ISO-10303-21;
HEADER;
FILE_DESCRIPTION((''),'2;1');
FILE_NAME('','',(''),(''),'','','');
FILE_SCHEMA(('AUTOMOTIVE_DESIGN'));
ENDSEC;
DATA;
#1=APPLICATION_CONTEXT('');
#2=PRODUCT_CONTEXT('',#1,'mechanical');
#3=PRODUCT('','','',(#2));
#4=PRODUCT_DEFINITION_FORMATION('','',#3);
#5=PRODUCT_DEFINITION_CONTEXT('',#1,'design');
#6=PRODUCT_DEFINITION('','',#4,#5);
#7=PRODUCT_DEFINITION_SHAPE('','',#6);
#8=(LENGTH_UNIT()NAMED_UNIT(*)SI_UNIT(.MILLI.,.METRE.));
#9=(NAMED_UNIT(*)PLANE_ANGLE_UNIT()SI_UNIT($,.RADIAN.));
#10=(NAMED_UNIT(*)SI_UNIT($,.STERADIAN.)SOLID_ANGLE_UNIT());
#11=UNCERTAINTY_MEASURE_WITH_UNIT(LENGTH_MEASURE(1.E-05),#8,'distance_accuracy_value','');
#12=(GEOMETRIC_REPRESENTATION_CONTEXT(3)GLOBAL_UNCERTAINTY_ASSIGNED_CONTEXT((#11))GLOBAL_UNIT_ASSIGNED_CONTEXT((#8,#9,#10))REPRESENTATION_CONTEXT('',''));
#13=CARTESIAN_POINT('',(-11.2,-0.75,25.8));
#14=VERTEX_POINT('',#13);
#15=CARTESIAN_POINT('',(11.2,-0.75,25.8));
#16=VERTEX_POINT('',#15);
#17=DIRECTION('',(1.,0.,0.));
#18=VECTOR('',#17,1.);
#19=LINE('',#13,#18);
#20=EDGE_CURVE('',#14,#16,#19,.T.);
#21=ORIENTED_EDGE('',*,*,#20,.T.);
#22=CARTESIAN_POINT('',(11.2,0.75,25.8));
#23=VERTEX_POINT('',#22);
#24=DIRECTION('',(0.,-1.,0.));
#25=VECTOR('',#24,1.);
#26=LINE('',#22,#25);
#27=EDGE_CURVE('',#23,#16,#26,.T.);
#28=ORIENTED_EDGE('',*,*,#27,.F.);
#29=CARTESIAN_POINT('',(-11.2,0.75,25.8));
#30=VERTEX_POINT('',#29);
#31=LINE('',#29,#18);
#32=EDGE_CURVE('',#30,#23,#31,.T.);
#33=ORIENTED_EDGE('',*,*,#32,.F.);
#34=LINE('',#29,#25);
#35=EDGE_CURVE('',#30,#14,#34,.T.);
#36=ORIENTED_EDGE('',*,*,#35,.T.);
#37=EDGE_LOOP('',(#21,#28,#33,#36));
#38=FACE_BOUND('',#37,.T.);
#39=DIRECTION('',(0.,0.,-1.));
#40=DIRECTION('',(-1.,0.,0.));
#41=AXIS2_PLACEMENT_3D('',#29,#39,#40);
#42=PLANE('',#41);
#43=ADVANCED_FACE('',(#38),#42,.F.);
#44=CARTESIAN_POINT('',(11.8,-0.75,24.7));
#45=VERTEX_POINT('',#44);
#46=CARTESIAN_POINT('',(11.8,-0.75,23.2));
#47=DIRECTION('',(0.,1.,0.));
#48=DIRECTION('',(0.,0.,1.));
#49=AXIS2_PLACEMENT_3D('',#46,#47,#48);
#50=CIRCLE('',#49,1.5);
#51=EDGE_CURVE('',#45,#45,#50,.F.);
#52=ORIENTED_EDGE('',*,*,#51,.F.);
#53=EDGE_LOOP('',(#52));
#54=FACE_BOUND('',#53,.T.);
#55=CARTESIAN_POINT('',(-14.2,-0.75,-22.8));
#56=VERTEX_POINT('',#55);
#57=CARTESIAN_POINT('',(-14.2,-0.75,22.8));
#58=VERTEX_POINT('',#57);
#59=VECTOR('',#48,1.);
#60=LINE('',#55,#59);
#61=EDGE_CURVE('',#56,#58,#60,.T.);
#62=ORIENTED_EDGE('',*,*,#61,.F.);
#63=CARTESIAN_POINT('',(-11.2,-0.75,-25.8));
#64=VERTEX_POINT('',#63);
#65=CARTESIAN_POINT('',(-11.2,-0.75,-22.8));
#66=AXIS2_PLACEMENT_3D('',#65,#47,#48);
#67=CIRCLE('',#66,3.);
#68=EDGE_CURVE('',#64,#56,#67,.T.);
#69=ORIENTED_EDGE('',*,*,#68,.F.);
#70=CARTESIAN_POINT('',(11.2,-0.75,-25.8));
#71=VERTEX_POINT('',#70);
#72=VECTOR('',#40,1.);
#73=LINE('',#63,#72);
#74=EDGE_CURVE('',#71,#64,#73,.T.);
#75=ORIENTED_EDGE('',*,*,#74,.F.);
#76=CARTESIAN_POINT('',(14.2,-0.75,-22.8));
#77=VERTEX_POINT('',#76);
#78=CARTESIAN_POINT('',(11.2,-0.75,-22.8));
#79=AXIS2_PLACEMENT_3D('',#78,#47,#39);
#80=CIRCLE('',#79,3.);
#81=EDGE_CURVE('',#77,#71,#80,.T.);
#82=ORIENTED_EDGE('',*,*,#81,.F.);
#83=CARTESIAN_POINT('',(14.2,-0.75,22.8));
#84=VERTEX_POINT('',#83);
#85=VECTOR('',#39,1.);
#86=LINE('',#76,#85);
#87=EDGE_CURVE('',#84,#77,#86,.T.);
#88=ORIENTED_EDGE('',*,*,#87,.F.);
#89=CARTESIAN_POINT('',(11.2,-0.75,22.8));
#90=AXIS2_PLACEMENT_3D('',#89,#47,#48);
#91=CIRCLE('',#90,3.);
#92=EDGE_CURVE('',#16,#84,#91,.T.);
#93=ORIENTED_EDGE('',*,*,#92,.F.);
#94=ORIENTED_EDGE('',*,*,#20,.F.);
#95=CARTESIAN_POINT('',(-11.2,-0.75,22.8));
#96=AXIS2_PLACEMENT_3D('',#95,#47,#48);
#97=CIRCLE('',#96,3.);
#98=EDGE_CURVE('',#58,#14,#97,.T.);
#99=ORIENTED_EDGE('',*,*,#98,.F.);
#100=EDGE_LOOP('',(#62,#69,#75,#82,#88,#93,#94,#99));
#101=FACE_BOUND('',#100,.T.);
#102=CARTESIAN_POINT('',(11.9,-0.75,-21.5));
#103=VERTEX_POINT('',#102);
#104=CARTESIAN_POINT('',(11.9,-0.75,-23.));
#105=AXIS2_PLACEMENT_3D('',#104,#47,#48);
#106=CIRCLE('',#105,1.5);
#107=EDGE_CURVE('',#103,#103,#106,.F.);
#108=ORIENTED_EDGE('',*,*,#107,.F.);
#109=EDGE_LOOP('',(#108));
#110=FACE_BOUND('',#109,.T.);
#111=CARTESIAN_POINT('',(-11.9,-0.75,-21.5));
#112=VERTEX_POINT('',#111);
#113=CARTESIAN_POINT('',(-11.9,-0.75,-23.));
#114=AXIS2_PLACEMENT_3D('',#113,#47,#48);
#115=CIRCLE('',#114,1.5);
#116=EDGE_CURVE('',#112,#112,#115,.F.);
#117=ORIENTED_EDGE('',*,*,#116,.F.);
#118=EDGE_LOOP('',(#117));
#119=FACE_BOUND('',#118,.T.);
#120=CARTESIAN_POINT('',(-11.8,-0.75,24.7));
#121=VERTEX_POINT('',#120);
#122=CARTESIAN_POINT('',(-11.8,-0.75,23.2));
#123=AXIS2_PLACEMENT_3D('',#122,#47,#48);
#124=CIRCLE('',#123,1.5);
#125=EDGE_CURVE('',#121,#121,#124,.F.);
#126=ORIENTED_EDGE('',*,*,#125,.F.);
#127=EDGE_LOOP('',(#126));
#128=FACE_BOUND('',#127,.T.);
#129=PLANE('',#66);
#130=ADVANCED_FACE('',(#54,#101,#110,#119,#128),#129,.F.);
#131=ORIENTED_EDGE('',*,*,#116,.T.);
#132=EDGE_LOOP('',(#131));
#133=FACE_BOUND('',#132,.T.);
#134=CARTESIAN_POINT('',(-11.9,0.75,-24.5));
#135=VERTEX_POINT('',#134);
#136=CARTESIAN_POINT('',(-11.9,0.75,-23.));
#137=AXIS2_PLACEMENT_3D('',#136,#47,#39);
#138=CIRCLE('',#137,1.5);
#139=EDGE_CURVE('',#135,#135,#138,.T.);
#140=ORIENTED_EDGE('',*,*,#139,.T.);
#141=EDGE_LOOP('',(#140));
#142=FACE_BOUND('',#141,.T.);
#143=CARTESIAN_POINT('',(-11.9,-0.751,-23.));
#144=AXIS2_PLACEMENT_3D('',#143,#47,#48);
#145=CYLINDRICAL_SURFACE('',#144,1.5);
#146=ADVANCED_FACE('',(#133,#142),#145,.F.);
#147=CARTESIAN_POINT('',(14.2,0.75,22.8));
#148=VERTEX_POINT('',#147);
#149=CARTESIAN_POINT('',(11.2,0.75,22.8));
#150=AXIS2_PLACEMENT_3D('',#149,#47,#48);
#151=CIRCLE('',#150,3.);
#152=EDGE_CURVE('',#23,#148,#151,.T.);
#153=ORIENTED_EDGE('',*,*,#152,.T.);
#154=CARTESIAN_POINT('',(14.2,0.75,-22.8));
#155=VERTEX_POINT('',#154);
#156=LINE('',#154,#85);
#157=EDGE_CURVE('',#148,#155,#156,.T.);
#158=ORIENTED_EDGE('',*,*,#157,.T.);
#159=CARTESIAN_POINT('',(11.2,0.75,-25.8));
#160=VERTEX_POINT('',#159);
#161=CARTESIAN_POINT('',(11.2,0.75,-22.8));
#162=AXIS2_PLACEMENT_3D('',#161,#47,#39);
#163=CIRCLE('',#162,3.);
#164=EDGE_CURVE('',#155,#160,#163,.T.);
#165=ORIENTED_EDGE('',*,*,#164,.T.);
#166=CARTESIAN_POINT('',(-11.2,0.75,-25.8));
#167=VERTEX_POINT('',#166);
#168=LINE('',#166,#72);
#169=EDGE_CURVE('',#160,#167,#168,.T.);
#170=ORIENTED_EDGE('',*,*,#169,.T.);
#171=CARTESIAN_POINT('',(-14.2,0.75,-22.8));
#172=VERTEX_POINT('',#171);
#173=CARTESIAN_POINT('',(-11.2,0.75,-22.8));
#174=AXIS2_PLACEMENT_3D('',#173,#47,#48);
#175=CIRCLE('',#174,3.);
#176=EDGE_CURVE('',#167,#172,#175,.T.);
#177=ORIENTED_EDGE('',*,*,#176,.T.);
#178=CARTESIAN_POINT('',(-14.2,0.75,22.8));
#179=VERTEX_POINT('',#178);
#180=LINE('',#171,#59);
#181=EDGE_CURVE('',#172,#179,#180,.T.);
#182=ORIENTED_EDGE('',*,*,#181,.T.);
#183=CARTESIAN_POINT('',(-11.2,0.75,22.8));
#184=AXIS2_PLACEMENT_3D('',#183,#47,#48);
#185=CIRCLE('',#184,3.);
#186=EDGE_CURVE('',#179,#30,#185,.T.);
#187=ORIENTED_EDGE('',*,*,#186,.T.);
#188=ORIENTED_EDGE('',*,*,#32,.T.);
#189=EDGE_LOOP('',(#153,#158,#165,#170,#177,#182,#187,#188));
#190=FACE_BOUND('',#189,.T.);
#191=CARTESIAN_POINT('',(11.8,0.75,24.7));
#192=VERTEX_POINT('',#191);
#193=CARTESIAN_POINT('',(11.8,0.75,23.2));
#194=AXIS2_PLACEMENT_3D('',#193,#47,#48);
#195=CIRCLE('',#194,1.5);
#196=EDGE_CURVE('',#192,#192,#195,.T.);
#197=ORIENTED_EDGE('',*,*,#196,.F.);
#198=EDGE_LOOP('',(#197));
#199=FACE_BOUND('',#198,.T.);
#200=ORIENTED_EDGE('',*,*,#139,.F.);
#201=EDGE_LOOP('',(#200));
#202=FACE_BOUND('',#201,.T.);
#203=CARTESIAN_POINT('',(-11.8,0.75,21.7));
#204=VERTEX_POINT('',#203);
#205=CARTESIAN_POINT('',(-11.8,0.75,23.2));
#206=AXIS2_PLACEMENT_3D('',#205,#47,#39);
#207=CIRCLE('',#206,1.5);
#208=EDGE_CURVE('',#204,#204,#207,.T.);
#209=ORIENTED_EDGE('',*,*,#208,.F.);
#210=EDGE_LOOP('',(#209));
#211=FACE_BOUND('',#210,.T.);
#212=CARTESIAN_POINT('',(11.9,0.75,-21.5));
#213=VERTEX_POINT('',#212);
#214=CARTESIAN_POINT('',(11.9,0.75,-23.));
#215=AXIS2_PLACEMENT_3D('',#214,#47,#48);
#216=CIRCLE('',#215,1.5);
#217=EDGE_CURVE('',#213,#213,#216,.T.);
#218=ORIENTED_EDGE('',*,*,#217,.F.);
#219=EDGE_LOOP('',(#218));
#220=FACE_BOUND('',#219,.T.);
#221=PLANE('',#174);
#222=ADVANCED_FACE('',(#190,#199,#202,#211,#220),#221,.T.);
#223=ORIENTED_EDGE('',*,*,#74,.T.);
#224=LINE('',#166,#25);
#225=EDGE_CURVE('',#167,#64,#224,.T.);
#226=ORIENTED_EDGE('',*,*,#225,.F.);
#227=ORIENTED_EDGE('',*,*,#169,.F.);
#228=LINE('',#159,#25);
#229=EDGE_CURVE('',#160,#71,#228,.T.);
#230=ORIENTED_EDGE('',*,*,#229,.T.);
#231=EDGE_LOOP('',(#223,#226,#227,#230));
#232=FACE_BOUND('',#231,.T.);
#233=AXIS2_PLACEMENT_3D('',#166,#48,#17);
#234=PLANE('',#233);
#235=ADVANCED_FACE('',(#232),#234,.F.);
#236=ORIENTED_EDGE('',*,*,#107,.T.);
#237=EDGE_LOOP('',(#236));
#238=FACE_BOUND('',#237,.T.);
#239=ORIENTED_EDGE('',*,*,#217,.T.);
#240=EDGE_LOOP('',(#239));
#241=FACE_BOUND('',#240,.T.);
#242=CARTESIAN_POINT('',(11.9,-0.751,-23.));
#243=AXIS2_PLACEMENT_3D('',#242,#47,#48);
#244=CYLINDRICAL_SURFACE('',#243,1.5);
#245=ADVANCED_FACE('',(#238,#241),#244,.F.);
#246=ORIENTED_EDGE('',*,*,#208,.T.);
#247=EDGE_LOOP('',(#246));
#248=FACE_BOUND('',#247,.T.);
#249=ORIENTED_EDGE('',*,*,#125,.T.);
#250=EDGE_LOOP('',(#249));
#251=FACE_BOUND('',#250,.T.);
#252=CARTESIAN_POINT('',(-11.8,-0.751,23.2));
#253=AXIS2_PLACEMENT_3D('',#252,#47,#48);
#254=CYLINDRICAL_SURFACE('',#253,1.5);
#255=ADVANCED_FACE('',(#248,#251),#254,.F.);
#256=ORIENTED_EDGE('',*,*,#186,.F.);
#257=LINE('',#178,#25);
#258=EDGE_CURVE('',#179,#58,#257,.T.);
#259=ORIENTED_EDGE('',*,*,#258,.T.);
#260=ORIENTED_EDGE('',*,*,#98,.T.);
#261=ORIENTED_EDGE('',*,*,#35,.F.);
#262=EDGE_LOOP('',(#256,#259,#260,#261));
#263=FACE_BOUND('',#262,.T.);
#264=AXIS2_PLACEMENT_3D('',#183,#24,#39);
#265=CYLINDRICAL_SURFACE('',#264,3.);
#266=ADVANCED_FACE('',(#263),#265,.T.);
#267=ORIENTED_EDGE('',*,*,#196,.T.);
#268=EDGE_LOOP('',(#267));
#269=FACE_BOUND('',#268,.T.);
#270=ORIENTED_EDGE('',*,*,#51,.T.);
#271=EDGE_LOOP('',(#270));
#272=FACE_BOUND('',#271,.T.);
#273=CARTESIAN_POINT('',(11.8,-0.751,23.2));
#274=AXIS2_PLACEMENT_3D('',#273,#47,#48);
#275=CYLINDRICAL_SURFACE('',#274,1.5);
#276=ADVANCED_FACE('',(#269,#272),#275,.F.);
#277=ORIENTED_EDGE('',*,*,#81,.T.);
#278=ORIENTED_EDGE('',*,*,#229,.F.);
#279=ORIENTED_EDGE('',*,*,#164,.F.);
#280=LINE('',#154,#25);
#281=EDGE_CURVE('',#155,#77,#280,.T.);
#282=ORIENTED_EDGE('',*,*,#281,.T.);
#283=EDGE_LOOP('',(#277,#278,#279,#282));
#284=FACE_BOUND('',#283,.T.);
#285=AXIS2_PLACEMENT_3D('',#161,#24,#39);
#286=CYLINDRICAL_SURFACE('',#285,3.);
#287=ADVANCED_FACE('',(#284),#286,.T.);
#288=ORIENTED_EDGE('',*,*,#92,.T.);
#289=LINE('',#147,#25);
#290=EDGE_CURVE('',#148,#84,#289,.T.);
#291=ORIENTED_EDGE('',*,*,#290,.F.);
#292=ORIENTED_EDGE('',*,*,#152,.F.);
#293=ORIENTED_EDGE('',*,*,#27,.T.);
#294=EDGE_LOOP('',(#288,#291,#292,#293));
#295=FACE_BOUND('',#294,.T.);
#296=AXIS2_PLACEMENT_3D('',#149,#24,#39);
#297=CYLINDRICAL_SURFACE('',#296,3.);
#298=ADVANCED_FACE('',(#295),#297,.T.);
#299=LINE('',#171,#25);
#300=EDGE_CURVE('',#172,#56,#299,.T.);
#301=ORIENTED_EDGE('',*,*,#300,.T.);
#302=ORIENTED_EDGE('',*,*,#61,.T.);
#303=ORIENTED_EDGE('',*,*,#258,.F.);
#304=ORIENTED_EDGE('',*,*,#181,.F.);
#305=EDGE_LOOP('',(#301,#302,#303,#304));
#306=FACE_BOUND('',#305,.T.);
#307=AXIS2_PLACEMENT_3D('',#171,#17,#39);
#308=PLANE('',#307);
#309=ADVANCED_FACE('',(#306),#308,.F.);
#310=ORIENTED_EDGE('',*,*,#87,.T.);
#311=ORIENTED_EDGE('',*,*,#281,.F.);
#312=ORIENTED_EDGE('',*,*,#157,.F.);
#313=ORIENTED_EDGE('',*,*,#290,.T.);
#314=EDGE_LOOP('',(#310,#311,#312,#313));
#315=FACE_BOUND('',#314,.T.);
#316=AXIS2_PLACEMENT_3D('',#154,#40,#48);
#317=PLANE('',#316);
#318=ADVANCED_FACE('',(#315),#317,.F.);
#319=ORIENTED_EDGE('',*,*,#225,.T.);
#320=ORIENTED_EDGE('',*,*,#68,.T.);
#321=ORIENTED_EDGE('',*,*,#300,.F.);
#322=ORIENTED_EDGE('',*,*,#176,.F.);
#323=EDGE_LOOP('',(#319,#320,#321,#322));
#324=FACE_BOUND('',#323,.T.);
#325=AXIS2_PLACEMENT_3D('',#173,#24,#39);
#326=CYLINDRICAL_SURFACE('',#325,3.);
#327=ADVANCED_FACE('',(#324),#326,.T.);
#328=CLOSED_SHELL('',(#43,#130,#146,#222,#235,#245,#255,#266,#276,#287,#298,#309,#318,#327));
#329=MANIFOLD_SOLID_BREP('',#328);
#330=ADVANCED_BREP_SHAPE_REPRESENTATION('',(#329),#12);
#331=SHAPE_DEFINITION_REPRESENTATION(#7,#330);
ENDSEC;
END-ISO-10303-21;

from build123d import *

# Parameters (mm, degrees)
BOSS_EXTRUDE1_DEPTH = 0.75
CUT_EXTRUDE1_REACH  = 31.488
SKETCH3_R           = 1.5


with BuildPart() as part:
    # Sketch1 → Boss-Extrude1 (new, symmetric)
    with BuildSketch(Plane(origin=(0, 0, 0), x_dir=(1, 0, 0), z_dir=(0, 1, 0))):
        with BuildLine():
            Line((-11.2, 25.8), (11.2, 25.8))
            ThreePointArc((11.2, 25.8), (13.321320344, 24.921320344), (14.2, 22.8))
            Line((14.2, 22.8), (14.2, -22.8))
            ThreePointArc((14.2, -22.8), (13.321320344, -24.921320344), (11.2, -25.8))
            Line((11.2, -25.8), (-11.2, -25.8))
            ThreePointArc((-11.2, -25.8), (-13.321320344, -24.921320344), (-14.2, -22.8))
            Line((-14.2, -22.8), (-14.2, 22.8))
            ThreePointArc((-14.2, 22.8), (-13.321320344, 24.921320344), (-11.2, 25.8))
        make_face()
    extrude(amount=BOSS_EXTRUDE1_DEPTH, both=True)

    # Sketch3 → Cut-Extrude1 (cut, up to next)
    with BuildSketch(Plane(origin=(0, 0.75, 0), x_dir=(1, 0, 0), z_dir=(0, 1, 0)), mode=Mode.PRIVATE) as cut_extrude1_sk1:
        with Locations(Location((11.9, 23, 0), (0, 0, 270))):
            Circle(SKETCH3_R)
    cut_extrude1_tool1 = extrude(cut_extrude1_sk1.sketch, amount=-CUT_EXTRUDE1_REACH, mode=Mode.PRIVATE) & part.part
    # Sketch3 → Cut-Extrude1 (cut, up to next)
    with BuildSketch(Plane(origin=(0, 0.75, 0), x_dir=(1, 0, 0), z_dir=(0, 1, 0)), mode=Mode.PRIVATE) as cut_extrude1_sk2:
        with Locations(Location((-11.9, 23, 0), (0, 0, 270))):
            Circle(SKETCH3_R)
    cut_extrude1_tool2 = extrude(cut_extrude1_sk2.sketch, amount=-CUT_EXTRUDE1_REACH, mode=Mode.PRIVATE) & part.part
    # Sketch3 → Cut-Extrude1 (cut, up to next)
    with BuildSketch(Plane(origin=(0, 0.75, 0), x_dir=(1, 0, 0), z_dir=(0, 1, 0)), mode=Mode.PRIVATE) as cut_extrude1_sk3:
        with Locations(Location((11.8, -23.2, 0), (0, 0, 270))):
            Circle(SKETCH3_R)
    cut_extrude1_tool3 = extrude(cut_extrude1_sk3.sketch, amount=-CUT_EXTRUDE1_REACH, mode=Mode.PRIVATE) & part.part
    # Sketch3 → Cut-Extrude1 (cut, up to next)
    with BuildSketch(Plane(origin=(0, 0.75, 0), x_dir=(1, 0, 0), z_dir=(0, 1, 0)), mode=Mode.PRIVATE) as cut_extrude1_sk4:
        with Locations(Location((-11.8, -23.2, 0), (0, 0, 270))):
            Circle(SKETCH3_R)
    cut_extrude1_tool4 = extrude(cut_extrude1_sk4.sketch, amount=-CUT_EXTRUDE1_REACH, mode=Mode.PRIVATE) & part.part
    add(cut_extrude1_tool1.solids().sort_by_distance((11.9, 0.75, -23))[0], mode=Mode.SUBTRACT)
    add(cut_extrude1_tool2.solids().sort_by_distance((-11.9, 0.75, -23))[0], mode=Mode.SUBTRACT)
    add(cut_extrude1_tool3.solids().sort_by_distance((11.8, 0.75, 23.2))[0], mode=Mode.SUBTRACT)
    add(cut_extrude1_tool4.solids().sort_by_distance((-11.8, 0.75, 23.2))[0], mode=Mode.SUBTRACT)


solid = part.part
